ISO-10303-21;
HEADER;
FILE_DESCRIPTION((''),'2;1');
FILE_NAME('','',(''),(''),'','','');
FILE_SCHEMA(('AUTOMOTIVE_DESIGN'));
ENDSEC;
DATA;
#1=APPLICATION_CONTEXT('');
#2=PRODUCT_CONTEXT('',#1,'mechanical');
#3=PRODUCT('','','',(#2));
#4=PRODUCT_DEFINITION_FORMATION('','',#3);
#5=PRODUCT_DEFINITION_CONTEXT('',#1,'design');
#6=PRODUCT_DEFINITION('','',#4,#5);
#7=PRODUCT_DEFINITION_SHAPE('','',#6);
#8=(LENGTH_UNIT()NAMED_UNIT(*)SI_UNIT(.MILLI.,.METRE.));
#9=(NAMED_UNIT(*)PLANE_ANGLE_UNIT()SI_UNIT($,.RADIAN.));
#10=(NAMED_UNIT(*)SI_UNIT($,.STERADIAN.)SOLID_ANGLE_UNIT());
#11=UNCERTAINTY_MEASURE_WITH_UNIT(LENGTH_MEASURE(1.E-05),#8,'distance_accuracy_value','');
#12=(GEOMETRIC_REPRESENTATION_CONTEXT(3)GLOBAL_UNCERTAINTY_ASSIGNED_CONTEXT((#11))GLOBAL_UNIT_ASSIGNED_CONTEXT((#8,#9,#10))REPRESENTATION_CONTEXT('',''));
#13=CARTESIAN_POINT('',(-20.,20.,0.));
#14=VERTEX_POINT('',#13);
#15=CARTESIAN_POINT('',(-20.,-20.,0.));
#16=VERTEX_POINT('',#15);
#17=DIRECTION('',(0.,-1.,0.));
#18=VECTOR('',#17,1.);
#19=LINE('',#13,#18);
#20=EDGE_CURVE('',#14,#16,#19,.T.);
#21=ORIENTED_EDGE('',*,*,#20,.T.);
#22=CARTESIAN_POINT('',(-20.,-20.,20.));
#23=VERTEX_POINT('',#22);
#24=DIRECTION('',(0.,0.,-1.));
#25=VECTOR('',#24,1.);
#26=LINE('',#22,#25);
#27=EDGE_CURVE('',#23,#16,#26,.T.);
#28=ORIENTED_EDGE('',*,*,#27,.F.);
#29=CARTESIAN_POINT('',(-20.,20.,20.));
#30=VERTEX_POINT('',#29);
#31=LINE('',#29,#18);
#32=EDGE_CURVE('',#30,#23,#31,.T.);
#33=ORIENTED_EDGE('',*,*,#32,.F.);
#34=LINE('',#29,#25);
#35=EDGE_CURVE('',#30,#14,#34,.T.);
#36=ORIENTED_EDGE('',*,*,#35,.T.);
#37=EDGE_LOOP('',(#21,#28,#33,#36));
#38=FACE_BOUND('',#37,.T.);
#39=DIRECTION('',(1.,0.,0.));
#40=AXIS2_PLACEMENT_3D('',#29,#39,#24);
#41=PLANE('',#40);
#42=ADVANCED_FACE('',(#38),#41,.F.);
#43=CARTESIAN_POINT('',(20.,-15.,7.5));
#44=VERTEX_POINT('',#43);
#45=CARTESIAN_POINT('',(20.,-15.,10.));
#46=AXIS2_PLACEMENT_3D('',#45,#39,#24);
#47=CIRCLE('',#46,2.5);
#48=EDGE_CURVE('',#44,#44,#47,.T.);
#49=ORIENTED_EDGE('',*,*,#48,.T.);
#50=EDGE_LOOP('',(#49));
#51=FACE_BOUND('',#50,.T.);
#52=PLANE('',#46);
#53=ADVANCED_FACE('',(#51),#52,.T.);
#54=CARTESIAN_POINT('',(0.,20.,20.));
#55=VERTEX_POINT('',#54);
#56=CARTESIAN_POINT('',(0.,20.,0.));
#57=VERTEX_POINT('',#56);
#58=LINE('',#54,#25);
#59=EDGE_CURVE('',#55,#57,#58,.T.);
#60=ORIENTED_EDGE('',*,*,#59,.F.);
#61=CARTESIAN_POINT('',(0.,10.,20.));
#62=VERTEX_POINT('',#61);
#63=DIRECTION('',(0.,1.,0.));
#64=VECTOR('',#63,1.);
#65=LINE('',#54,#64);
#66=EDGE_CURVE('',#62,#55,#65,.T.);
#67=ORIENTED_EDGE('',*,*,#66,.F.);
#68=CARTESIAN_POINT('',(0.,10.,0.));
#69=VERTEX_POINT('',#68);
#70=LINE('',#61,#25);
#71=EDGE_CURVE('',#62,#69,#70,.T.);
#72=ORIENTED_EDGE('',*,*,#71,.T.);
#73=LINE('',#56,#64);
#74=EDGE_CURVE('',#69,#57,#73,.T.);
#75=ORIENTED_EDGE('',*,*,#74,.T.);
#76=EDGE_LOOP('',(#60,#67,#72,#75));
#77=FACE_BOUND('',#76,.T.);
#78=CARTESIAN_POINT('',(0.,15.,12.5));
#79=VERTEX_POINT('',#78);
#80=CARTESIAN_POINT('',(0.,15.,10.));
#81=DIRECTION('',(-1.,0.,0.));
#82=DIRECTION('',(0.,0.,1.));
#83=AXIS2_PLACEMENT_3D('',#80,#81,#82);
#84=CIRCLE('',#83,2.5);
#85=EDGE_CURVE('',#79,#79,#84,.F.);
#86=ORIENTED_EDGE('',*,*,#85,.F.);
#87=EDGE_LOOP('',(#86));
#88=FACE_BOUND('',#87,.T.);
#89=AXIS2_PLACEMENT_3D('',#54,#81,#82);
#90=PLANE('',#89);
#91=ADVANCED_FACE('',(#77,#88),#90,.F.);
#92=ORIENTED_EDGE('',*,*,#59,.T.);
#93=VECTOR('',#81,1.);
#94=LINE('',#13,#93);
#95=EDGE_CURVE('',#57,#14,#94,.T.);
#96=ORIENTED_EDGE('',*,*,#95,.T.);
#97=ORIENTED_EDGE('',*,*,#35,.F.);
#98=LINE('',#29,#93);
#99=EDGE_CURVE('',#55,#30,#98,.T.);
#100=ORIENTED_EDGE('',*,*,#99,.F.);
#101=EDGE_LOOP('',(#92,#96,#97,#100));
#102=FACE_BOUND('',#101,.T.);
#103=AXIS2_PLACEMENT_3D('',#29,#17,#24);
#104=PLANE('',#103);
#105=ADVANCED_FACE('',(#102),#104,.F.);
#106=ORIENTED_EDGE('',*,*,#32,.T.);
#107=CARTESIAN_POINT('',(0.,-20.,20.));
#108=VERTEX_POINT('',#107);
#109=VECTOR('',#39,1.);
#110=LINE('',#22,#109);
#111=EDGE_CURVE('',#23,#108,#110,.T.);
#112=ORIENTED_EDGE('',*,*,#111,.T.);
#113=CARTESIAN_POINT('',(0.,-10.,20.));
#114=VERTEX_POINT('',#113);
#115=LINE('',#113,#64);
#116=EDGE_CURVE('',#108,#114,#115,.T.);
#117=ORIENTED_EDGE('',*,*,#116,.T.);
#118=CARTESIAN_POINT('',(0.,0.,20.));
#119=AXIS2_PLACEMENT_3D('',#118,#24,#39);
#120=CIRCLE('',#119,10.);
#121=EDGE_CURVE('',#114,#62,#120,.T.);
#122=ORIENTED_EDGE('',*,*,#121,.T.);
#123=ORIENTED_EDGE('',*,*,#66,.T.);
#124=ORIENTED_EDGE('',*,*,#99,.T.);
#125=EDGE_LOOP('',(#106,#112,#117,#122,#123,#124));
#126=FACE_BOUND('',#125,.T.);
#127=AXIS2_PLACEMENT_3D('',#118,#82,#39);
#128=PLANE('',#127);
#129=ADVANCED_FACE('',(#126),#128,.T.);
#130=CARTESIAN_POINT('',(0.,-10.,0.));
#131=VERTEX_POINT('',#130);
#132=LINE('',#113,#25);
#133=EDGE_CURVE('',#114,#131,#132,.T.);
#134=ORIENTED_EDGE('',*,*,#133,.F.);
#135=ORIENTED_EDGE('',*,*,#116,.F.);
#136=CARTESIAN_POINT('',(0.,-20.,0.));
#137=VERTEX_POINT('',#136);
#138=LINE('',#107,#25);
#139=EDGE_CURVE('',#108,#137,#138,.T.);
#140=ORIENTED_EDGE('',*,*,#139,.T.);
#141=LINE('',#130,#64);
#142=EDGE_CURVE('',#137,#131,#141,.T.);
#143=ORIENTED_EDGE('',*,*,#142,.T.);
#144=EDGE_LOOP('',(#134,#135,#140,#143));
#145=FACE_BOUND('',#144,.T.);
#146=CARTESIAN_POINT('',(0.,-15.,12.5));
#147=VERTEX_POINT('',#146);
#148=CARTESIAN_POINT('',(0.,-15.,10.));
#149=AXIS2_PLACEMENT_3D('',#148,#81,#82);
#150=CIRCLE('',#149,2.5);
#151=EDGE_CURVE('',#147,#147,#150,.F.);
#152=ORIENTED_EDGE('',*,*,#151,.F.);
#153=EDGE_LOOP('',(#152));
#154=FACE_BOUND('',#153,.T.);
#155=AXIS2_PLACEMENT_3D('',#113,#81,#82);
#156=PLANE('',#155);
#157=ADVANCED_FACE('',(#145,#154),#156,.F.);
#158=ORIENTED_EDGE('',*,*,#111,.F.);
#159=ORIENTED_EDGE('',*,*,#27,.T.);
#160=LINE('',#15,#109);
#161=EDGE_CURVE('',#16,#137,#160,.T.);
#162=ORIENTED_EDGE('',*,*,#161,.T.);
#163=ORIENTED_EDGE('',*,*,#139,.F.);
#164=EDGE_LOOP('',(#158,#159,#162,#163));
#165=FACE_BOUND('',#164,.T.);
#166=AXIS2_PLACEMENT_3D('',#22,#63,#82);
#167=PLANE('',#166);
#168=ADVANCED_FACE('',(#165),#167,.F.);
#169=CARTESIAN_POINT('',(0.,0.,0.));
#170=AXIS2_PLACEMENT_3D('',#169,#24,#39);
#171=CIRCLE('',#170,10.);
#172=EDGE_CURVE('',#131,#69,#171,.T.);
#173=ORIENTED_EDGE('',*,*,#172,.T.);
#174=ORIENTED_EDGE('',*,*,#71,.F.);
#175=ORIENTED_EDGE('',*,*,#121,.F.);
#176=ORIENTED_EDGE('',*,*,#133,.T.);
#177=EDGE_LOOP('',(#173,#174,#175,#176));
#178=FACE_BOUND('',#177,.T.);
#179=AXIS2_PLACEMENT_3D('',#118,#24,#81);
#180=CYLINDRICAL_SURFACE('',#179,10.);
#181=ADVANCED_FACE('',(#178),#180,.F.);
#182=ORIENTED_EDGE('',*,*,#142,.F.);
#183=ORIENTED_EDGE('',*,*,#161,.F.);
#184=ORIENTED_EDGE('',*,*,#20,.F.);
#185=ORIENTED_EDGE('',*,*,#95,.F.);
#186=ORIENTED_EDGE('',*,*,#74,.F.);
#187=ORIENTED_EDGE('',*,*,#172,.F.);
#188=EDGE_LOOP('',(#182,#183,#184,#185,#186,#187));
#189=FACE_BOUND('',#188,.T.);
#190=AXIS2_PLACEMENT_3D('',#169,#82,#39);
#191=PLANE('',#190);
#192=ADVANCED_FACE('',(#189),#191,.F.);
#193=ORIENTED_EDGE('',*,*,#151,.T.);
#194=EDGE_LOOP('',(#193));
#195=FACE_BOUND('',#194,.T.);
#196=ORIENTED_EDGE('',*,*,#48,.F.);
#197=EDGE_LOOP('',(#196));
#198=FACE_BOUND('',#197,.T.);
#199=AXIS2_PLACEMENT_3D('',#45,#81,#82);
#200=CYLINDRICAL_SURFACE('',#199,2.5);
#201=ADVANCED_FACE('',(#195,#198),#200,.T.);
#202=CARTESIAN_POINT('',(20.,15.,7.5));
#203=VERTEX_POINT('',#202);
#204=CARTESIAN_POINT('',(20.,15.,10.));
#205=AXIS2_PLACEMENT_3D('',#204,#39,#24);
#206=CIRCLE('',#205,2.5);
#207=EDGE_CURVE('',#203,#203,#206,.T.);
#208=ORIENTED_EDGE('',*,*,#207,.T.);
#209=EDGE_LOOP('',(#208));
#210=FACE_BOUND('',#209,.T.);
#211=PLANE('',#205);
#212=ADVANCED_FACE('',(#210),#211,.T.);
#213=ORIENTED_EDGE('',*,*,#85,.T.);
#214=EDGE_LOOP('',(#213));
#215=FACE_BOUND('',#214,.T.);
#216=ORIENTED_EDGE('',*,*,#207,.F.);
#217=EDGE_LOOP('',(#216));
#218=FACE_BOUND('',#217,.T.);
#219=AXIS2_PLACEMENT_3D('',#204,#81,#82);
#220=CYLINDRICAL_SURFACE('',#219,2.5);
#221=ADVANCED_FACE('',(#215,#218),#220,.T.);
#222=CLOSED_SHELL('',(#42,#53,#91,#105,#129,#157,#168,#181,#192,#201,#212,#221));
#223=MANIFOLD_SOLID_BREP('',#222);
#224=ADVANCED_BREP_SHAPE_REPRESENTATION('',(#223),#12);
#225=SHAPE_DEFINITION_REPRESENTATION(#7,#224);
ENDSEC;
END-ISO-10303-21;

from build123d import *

# Parameters (mm, degrees)
EXTRUDE_1_DEPTH = 20
SKETCH_3_R      = 2.5
EXTRUDE_2_DEPTH = 20


with BuildPart() as part:
    # 草图1 → 凸台-拉伸1 (new body)
    with BuildSketch(Plane.XY):
        with BuildLine():
            Line((0, 20), (0, 10))
            ThreePointArc((0, 10), (-10, 0), (0, -10))
            Line((0, -10), (0, -20))
            Line((0, -20), (-20, -20))
            Line((-20, -20), (-20, 20))
            Line((-20, 20), (0, 20))
        make_face()
    extrude(amount=EXTRUDE_1_DEPTH)

    # 草图3 → 凸台-拉伸2 (add)
    with BuildSketch(Plane(origin=(0, 0, 0), x_dir=(0, 0, -1), z_dir=(1, 0, 0))):
        with Locations(Location((-10, 15, 0), (0, 0, 180))):
            Circle(SKETCH_3_R)
        with Locations(Location((-10, -15, 0), (0, 0, 180))):
            Circle(SKETCH_3_R)
    extrude(amount=EXTRUDE_2_DEPTH)


solid = part.part
